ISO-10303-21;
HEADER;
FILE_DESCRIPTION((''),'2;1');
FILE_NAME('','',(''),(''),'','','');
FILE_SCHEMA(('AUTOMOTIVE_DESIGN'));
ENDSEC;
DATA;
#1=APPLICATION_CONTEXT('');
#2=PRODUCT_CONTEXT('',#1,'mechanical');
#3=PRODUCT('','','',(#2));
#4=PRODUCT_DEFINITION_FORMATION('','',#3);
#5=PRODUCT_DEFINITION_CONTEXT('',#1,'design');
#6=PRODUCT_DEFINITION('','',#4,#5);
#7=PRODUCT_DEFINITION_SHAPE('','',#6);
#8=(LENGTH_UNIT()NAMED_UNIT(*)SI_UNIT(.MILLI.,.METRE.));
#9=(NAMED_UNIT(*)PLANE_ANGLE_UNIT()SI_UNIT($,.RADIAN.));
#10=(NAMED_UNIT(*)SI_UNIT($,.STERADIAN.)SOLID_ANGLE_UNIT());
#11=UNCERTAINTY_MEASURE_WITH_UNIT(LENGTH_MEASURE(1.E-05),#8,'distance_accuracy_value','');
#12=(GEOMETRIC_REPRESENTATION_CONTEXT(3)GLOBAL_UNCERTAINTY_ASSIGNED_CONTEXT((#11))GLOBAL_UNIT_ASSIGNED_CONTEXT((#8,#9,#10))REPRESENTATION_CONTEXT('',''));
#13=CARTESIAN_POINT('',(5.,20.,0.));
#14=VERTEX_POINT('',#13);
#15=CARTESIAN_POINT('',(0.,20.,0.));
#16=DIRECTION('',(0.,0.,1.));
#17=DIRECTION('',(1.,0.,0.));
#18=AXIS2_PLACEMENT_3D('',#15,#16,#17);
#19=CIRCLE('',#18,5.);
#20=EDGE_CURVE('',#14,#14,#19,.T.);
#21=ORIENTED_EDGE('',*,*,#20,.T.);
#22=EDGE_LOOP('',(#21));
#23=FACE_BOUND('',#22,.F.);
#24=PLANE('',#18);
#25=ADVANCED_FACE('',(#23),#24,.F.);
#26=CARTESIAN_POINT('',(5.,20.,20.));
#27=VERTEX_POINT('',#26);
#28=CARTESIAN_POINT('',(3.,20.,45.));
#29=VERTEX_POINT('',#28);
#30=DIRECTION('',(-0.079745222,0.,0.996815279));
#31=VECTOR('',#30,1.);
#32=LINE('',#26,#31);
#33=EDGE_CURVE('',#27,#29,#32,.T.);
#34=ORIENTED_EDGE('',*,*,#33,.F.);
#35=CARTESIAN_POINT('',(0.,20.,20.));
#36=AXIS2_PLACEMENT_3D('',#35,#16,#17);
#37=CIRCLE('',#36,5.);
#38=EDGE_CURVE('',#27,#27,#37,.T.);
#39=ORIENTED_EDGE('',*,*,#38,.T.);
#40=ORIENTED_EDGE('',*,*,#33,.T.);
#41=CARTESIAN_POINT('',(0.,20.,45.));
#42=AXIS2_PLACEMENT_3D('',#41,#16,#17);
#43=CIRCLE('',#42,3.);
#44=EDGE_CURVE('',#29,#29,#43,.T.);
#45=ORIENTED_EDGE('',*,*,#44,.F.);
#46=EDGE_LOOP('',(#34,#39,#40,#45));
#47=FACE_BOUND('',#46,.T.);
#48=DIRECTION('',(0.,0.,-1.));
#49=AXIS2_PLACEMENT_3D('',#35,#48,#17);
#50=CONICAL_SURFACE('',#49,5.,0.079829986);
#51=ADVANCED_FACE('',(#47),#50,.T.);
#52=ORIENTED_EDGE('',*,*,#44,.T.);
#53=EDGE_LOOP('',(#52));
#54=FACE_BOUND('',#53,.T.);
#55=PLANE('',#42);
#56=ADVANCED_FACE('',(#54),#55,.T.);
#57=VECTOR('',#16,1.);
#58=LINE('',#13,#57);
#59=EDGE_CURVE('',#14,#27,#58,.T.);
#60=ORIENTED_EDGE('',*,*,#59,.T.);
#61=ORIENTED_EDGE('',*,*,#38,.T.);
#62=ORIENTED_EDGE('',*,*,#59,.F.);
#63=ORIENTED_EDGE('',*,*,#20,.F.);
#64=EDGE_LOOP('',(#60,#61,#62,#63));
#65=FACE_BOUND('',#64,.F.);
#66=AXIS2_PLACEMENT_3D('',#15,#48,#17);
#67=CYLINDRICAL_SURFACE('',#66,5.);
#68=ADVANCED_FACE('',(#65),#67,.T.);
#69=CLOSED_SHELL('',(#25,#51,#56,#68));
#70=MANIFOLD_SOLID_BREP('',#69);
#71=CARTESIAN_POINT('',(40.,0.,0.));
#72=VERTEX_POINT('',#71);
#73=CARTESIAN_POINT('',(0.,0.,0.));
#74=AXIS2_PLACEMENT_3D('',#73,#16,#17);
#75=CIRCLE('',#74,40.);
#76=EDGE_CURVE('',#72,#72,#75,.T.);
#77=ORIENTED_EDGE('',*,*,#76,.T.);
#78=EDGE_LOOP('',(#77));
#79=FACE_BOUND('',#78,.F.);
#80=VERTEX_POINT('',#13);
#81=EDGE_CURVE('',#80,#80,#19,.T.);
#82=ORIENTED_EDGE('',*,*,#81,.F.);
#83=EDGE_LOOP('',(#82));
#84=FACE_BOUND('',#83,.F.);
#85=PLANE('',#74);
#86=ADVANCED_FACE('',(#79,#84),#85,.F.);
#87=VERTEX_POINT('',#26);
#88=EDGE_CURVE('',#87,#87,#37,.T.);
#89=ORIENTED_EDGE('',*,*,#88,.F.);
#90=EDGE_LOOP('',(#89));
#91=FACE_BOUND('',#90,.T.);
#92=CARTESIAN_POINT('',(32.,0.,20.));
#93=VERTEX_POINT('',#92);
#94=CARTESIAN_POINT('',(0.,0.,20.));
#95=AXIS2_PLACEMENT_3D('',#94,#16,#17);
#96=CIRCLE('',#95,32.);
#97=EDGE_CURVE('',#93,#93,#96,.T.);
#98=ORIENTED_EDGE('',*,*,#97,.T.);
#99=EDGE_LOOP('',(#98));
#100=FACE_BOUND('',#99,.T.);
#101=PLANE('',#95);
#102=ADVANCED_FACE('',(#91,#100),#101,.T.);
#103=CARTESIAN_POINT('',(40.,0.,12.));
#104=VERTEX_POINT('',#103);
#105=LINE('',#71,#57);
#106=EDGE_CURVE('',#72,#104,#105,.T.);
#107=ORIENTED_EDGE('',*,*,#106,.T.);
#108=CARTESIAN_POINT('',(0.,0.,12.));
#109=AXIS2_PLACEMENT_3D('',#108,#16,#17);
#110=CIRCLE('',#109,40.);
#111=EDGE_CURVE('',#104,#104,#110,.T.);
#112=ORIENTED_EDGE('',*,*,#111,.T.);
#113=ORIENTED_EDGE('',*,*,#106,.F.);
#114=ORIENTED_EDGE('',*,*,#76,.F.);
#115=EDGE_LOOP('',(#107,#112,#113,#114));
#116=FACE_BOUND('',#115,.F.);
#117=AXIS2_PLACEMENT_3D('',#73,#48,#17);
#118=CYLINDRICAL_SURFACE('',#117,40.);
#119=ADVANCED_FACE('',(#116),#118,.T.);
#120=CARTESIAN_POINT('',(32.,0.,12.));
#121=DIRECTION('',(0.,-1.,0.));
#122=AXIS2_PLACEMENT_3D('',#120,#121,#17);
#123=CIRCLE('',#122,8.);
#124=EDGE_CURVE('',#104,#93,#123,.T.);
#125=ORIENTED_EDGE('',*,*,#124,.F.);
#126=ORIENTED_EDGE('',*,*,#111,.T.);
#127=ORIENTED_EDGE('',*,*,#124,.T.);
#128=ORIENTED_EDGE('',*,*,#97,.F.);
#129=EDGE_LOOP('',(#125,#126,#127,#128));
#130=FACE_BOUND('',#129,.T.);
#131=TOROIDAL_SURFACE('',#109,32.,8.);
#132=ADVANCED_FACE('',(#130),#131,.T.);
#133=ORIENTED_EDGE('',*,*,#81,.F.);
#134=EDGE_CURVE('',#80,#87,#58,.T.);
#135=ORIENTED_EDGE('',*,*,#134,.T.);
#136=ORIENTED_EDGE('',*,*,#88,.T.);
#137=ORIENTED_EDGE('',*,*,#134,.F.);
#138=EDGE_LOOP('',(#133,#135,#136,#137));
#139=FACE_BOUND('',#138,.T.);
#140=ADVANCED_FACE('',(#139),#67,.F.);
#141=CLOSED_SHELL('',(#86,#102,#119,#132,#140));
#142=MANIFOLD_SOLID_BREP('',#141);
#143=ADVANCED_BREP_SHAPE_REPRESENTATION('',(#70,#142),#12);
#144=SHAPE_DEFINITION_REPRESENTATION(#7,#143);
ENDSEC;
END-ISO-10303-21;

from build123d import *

# Parameters (mm, degrees)
F0_R     = 40
F0_R_2   = 5
F1_DEPTH = 20
F2_R     = 8
F3_DEPTH = 45
F4_SIZE2 = 2
F4_SIZE  = 25


with BuildPart() as f1:
    # F0 (on Top) → F1 (new body)
    with BuildSketch(Plane.XY):
        Circle(F0_R)
        with Locations((0, 20)):
            Circle(F0_R_2, mode=Mode.SUBTRACT)
    extrude(amount=F1_DEPTH)

    # F2
    f2_edges = [f1.edges().sort_by_distance(p)[0] for p in [
        (-40, 0, 20),
    ]]
    fillet(f2_edges, radius=F2_R)


with BuildPart() as f3:
    # F0 (on Top) → F3 (new body)
    with BuildSketch(Plane.XY):
        with Locations((0, 20)):
            Circle(F0_R_2)
    extrude(amount=F3_DEPTH)

    # F4
    f4_edges = [f3.edges().sort_by_distance(p)[0] for p in [
        (-5, 20, 45),
    ]]
    f4_side = f3.faces().sort_by_distance((-5, 20, 22.5))[0]
    chamfer(f4_edges, length=F4_SIZE, length2=F4_SIZE2, reference=f4_side)


solid = Compound([f1.part, f3.part])
